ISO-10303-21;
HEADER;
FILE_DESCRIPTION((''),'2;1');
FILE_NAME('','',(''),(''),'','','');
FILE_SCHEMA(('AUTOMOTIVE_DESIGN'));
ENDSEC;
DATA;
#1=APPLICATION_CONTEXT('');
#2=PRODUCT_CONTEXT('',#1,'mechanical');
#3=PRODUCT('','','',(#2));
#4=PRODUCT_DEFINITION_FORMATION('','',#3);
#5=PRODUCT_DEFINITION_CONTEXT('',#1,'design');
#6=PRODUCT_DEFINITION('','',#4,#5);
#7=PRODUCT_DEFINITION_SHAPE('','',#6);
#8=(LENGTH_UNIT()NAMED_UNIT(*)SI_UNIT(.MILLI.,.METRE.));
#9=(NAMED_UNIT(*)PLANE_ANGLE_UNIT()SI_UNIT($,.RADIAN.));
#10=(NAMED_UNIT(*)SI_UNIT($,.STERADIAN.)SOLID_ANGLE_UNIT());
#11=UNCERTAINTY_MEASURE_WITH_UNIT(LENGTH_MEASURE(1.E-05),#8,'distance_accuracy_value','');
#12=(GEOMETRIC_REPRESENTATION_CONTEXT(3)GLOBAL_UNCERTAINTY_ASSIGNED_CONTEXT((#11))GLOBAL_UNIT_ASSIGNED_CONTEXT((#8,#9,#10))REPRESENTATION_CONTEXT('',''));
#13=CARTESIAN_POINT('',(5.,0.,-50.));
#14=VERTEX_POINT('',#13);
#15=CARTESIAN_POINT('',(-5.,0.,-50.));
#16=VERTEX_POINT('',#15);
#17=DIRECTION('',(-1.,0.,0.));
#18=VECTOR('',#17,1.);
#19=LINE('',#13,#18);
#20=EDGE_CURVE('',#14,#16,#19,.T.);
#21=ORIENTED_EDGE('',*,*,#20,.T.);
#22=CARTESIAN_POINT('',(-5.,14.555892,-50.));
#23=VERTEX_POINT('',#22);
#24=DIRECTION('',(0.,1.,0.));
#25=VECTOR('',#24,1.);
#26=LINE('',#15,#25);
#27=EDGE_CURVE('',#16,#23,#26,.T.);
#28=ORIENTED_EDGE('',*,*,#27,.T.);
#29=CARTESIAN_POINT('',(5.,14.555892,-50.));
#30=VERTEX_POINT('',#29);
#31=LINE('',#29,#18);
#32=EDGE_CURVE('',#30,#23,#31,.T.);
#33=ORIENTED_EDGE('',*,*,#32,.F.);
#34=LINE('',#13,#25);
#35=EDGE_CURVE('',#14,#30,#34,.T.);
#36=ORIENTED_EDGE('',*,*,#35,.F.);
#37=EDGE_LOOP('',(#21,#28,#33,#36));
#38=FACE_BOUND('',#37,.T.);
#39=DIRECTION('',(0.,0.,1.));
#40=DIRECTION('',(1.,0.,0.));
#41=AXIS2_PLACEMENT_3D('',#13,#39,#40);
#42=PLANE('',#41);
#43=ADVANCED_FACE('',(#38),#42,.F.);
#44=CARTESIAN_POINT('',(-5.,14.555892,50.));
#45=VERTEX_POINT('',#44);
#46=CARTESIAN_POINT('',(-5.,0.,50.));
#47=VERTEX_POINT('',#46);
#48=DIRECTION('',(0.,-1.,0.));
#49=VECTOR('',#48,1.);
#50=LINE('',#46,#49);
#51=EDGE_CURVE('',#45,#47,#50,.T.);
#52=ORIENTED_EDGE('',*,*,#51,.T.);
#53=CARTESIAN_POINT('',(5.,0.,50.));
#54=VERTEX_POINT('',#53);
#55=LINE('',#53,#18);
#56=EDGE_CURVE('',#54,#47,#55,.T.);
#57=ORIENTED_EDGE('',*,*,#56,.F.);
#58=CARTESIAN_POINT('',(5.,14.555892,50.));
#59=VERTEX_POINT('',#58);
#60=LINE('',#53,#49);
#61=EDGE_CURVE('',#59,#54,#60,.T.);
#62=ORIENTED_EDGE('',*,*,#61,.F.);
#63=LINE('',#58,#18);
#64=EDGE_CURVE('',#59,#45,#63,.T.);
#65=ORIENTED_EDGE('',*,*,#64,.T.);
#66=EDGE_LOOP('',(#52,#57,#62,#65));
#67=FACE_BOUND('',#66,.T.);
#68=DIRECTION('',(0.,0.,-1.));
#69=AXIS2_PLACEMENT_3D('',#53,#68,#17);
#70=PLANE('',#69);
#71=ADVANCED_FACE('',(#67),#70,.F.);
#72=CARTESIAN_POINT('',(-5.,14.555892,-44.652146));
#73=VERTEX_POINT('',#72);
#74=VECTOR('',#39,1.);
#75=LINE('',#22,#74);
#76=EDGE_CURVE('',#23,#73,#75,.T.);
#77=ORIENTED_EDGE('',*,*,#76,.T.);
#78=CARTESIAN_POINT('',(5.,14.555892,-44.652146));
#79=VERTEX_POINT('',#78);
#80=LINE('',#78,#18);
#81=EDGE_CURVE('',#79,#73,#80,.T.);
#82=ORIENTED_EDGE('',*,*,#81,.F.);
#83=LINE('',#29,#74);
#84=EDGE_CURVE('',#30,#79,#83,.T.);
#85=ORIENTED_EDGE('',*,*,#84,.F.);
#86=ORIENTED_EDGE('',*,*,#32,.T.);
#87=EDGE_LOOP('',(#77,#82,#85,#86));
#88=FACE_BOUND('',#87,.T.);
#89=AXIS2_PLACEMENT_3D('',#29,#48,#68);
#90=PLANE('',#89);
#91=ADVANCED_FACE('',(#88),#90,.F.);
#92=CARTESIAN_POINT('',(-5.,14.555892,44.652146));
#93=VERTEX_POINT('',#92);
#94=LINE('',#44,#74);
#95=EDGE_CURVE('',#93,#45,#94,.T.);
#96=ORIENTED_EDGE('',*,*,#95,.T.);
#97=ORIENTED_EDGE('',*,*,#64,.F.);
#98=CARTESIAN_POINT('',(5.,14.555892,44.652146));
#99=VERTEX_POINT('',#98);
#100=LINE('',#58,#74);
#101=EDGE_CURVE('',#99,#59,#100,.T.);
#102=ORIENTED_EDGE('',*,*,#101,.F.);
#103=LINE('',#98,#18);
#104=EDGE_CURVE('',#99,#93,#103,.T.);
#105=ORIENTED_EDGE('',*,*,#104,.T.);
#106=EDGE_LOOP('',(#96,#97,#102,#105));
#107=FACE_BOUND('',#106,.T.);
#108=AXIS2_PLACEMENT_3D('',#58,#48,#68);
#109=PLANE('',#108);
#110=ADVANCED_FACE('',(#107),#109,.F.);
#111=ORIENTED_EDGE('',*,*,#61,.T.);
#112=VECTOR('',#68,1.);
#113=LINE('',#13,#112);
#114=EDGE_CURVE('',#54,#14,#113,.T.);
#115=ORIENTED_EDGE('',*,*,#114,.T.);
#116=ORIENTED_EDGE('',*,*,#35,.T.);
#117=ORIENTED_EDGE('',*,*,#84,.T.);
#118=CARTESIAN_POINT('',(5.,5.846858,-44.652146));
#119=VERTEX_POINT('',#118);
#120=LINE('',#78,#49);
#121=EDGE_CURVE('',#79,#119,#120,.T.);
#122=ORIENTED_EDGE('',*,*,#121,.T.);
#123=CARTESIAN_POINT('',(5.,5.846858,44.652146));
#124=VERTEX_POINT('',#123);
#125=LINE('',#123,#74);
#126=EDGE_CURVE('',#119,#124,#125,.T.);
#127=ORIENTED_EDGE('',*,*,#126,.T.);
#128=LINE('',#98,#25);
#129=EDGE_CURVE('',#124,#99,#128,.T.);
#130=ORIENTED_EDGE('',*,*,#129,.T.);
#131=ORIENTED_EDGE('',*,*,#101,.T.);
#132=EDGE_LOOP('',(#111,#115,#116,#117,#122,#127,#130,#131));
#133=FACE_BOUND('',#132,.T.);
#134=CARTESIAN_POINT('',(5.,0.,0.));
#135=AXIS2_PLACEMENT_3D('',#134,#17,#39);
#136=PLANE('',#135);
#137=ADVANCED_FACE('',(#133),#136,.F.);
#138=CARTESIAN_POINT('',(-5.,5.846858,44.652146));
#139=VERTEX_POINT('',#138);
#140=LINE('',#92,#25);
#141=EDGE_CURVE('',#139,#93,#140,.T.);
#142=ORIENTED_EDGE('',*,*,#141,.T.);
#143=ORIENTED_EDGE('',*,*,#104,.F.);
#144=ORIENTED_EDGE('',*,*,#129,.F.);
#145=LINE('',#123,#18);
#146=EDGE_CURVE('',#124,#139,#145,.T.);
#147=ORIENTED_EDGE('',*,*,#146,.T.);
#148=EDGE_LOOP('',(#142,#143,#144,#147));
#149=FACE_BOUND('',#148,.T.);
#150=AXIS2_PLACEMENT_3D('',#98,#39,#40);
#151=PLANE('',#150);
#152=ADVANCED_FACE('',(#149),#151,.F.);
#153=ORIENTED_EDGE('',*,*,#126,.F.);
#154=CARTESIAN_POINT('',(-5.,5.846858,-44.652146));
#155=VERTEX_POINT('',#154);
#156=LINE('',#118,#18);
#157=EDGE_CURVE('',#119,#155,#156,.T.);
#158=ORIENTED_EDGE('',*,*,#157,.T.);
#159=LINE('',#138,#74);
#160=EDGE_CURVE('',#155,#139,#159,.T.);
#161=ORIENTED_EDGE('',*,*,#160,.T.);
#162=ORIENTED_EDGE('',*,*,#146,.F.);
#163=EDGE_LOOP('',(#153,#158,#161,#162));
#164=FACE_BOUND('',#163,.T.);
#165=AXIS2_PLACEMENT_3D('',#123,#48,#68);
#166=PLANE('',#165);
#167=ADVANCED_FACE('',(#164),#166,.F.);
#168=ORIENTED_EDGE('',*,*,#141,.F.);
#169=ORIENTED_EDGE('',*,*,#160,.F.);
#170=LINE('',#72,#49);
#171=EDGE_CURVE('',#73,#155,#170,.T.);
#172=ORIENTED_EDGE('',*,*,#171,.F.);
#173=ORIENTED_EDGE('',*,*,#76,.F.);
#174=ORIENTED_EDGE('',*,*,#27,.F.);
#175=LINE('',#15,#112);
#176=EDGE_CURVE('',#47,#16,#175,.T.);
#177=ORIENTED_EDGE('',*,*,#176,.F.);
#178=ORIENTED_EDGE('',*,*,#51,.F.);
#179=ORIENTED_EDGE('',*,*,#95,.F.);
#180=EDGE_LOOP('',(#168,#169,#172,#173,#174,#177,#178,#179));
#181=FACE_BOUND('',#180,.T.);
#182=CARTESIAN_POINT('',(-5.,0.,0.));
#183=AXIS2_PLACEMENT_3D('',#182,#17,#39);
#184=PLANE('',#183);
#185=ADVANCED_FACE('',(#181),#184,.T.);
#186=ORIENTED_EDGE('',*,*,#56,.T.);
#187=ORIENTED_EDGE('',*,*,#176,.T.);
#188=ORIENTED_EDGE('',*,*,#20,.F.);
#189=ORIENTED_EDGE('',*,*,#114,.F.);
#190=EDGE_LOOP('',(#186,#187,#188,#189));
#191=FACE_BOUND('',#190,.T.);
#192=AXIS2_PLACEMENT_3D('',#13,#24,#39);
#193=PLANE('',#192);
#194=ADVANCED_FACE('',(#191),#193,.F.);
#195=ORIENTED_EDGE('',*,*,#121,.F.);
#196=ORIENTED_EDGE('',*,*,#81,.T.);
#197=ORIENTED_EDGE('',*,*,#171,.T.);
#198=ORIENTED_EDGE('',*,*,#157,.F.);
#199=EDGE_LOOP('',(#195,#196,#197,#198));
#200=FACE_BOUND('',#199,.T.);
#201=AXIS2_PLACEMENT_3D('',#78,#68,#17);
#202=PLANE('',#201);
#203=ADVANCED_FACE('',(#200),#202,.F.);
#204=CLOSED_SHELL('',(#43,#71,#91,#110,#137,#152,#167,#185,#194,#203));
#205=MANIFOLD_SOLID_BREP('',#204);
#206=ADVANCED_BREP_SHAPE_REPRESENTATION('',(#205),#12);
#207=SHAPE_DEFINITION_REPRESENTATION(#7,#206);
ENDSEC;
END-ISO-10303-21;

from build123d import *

# Parameters (mm, degrees)
EXTRUDE_1_DEPTH = 5


with BuildPart() as part:
    # 스케치1 → 보스-돌출1 (new, symmetric)
    with BuildSketch(Plane(origin=(0, 0, 0), x_dir=(0, 0, -1), z_dir=(1, 0, 0))):
        Polygon((50, 0), (-50, 0), (-50, 14.555892452), (-44.652146268, 14.555892452), (-44.652146268, 5.846857921), (44.652146268, 5.846857921), (44.652146268, 14.555892452), (50, 14.555892452), align=None)
    extrude(amount=EXTRUDE_1_DEPTH, both=True)


solid = part.part
